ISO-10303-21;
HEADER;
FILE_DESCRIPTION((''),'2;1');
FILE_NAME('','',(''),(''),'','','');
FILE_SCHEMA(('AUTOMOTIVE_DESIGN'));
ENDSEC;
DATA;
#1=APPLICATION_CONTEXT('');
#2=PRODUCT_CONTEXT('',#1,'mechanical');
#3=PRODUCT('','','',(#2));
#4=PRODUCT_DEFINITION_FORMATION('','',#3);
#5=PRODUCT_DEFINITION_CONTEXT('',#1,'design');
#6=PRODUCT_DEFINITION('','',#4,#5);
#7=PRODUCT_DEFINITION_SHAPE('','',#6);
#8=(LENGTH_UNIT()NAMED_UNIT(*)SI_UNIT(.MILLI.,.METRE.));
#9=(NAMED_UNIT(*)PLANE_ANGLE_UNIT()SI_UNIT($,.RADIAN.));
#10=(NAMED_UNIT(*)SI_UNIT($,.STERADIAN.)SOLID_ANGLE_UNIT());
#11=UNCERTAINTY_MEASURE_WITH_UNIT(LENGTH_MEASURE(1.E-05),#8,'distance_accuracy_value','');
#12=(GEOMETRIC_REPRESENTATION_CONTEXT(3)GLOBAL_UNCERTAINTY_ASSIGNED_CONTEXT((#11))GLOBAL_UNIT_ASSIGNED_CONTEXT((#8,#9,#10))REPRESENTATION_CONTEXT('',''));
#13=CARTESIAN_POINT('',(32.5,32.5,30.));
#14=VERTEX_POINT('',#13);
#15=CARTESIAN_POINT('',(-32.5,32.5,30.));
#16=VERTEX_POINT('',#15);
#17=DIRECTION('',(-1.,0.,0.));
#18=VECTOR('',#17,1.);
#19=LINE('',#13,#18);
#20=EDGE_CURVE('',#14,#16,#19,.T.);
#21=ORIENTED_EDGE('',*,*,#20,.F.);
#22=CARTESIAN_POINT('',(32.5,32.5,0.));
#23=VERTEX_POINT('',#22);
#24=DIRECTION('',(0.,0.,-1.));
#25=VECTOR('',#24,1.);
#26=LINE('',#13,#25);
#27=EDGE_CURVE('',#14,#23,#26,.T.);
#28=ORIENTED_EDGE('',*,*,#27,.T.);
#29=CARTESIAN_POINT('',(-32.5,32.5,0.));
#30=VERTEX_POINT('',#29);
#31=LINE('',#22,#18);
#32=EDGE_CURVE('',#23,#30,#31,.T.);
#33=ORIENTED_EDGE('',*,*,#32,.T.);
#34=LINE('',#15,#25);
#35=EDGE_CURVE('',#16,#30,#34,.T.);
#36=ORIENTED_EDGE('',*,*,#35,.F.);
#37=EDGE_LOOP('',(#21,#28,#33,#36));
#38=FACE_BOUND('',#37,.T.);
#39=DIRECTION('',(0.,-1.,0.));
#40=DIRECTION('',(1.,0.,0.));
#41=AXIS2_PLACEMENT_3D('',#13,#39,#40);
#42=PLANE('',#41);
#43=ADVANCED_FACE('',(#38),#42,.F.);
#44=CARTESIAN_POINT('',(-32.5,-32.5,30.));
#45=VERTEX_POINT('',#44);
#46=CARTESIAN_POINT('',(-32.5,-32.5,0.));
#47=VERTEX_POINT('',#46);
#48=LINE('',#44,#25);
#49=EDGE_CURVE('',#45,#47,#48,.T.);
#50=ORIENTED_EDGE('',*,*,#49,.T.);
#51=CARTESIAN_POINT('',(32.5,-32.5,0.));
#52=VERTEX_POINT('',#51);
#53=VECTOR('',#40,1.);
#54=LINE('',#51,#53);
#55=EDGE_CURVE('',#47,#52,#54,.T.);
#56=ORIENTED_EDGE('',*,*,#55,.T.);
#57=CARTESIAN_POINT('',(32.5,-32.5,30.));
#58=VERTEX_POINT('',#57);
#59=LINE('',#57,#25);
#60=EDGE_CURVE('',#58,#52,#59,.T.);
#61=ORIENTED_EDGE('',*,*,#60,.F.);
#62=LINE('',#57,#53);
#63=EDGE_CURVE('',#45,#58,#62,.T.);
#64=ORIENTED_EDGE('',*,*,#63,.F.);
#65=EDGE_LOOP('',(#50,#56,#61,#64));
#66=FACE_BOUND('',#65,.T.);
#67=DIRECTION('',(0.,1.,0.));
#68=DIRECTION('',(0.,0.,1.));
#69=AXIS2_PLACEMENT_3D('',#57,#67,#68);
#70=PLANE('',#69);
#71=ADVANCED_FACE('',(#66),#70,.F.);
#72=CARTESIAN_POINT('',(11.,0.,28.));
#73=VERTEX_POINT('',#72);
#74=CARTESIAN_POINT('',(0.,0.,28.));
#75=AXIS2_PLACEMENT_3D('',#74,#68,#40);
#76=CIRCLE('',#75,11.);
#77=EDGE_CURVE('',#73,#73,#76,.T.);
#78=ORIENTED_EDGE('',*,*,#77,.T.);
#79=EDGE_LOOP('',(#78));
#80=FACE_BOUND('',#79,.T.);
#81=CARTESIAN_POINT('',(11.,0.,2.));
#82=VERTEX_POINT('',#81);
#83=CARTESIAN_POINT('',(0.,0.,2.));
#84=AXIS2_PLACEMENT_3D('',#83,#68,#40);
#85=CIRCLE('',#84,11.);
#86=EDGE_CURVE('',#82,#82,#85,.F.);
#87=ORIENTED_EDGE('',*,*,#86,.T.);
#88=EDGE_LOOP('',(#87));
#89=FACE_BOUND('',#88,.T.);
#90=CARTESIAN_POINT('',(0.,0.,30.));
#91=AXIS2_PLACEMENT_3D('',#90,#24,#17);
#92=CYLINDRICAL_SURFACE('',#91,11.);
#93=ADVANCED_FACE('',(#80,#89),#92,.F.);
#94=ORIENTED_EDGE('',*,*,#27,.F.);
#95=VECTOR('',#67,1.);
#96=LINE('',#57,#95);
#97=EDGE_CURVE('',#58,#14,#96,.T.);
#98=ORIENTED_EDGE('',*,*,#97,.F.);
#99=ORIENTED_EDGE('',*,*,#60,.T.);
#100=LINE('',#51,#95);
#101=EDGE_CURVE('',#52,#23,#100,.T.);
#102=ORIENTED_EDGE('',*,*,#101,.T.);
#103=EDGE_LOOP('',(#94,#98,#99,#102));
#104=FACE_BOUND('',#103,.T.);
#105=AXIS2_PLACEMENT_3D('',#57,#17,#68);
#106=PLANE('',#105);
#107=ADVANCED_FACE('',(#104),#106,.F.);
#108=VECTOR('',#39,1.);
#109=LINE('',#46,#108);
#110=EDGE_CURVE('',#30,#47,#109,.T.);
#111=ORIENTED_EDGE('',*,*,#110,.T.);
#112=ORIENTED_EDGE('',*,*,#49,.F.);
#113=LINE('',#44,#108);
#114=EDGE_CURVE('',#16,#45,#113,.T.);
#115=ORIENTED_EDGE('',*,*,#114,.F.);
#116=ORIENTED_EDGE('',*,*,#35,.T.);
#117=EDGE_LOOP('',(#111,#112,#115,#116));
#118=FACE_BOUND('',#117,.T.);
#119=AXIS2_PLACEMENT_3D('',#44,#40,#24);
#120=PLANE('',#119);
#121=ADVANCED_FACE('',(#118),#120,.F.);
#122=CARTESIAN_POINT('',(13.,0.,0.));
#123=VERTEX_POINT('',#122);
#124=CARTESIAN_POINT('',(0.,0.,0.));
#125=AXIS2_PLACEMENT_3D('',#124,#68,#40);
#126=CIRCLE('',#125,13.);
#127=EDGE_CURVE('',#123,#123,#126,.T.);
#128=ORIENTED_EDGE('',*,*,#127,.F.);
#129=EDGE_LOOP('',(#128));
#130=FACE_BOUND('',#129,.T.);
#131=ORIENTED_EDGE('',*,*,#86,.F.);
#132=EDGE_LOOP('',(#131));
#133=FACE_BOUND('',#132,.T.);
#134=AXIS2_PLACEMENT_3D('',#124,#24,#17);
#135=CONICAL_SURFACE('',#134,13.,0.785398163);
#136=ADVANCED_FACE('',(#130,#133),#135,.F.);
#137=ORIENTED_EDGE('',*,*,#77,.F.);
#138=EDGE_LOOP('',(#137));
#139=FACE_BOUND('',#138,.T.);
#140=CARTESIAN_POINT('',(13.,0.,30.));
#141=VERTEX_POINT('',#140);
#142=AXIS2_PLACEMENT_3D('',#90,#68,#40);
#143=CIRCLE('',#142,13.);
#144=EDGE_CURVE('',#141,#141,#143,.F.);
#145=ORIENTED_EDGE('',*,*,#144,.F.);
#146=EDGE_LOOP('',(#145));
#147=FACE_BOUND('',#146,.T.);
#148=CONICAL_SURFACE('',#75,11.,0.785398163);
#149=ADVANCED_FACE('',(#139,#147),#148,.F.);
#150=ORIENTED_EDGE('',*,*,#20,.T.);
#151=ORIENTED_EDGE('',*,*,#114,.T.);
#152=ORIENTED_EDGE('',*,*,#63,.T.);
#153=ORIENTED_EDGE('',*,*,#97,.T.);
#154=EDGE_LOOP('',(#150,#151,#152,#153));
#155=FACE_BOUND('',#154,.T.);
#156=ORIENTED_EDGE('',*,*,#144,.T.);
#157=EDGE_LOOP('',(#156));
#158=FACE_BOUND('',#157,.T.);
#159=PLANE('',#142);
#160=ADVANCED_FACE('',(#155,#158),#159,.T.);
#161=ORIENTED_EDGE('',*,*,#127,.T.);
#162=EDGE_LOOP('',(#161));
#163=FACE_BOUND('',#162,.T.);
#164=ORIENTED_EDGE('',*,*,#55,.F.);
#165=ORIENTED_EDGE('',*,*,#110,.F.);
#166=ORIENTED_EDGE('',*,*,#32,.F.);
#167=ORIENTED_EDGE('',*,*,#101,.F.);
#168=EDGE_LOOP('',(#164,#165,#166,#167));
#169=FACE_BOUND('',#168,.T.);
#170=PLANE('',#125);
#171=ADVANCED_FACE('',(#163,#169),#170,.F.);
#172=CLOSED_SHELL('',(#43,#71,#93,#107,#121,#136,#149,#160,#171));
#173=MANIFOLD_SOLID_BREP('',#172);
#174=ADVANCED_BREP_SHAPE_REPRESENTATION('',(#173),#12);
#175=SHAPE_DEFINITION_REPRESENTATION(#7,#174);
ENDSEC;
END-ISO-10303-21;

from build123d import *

# Parameters (mm, degrees)
SKETCH_1_W      = 65
SKETCH_1_H      = 65
SKETCH_1_R      = 11
EXTRUDE_1_DEPTH = 30
CHAMFER_1_SIZE  = 2


with BuildPart() as part:
    # Эскиз1 → Бобышка-Вытянуть1 (new body)
    with BuildSketch(Plane.XY):
        Rectangle(SKETCH_1_W, SKETCH_1_H)
        Circle(SKETCH_1_R, mode=Mode.SUBTRACT)
    extrude(amount=EXTRUDE_1_DEPTH)

    # Фаска1
    chamfer_1_edges = [part.edges().sort_by_distance(p)[0] for p in [
        (-11, 0, 0),
        (-11, 0, 30),
    ]]
    chamfer(chamfer_1_edges, length=CHAMFER_1_SIZE)


solid = part.part
